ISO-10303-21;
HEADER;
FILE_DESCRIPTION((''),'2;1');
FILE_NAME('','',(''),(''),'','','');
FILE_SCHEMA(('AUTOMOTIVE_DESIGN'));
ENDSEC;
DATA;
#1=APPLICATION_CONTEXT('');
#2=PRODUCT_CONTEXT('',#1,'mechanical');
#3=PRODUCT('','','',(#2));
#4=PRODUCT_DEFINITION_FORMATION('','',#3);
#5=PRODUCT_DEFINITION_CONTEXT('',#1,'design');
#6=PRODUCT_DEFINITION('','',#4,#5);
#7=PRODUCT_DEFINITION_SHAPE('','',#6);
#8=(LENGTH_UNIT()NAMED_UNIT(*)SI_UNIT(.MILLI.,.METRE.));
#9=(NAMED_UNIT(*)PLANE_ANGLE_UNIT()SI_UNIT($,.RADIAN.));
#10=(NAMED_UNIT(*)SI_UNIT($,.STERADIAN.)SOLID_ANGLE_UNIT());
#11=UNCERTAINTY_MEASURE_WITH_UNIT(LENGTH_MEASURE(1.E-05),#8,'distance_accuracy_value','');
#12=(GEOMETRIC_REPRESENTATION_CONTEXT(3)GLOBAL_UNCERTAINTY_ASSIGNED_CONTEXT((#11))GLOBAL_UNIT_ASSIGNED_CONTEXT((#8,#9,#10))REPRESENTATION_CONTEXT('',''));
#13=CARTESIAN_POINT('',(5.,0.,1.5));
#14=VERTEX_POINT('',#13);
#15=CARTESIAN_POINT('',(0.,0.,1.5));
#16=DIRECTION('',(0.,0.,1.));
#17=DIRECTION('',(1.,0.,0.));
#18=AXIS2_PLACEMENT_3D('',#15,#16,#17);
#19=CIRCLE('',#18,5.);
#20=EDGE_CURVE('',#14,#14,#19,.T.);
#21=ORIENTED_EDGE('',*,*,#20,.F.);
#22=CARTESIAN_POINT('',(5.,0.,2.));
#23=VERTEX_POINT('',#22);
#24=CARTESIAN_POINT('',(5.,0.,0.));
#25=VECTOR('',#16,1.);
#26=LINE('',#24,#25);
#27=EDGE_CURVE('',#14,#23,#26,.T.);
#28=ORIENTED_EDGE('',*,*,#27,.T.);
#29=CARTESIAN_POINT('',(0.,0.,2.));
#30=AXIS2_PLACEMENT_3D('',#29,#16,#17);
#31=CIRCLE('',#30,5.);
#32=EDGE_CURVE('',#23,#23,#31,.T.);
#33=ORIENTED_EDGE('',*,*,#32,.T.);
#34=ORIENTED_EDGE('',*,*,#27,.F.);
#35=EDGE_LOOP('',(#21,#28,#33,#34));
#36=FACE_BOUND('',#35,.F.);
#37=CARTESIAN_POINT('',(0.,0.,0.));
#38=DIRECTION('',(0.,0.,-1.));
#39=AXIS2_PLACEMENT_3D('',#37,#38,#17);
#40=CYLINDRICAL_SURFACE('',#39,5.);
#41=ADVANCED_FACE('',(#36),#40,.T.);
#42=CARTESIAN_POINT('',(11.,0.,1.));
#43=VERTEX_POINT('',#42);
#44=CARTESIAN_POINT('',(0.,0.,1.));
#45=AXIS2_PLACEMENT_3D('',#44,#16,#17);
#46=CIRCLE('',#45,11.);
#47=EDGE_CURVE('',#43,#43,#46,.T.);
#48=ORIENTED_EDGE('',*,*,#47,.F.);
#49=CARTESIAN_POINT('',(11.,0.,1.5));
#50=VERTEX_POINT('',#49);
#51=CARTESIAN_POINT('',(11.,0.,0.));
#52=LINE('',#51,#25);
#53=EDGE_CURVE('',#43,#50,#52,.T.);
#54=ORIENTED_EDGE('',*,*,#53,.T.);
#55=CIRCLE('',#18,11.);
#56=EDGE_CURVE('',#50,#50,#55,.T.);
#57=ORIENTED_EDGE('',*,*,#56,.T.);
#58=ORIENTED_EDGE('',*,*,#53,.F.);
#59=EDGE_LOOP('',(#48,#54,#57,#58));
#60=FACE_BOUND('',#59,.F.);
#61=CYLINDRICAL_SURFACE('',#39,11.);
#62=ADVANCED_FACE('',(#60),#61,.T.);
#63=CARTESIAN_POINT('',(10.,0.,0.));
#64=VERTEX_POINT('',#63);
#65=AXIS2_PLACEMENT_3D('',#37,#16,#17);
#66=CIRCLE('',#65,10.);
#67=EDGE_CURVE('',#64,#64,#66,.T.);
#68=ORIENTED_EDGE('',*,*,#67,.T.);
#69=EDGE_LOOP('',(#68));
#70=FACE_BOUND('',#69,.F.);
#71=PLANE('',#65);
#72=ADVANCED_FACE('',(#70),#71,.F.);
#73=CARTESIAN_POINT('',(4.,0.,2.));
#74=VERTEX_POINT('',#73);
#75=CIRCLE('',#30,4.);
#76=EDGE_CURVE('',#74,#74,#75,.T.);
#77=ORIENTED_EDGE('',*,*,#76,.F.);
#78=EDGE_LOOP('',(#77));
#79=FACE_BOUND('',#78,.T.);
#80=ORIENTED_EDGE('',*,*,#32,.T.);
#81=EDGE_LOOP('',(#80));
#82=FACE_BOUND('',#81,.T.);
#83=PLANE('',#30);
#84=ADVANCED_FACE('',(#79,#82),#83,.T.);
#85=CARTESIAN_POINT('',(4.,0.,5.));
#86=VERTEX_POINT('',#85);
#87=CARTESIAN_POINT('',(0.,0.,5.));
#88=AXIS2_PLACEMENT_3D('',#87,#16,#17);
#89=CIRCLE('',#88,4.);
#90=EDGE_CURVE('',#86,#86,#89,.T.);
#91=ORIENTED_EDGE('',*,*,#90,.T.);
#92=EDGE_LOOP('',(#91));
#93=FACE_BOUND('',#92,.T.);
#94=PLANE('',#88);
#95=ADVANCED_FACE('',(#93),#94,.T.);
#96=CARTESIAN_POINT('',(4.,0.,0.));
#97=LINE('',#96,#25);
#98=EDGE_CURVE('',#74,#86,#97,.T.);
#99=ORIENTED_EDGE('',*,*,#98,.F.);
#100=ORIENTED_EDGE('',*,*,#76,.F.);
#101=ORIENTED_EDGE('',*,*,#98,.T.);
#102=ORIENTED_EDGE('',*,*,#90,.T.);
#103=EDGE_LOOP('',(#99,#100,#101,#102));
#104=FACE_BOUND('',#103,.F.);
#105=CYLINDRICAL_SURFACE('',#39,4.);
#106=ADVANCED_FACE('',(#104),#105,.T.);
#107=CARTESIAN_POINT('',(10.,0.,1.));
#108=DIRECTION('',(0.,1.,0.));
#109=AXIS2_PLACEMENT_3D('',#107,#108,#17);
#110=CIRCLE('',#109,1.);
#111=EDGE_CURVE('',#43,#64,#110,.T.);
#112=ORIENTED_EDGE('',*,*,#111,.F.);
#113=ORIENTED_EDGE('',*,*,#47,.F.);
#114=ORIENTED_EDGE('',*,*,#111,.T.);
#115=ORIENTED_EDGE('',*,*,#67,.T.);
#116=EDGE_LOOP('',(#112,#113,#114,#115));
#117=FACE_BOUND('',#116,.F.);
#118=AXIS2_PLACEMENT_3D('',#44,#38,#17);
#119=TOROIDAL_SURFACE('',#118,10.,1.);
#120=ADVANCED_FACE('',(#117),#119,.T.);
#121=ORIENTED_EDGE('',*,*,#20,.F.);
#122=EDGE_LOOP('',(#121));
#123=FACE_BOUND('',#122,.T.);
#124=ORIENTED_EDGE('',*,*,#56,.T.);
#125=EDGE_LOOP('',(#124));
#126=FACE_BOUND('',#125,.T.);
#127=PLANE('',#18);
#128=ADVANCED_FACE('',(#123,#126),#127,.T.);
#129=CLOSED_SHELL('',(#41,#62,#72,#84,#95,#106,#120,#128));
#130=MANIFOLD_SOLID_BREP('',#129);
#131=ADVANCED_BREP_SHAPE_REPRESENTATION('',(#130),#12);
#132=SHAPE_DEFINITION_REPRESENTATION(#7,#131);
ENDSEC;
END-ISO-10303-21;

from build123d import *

# Parameters (mm, degrees)
F0_R     = 11
F0_R_2   = 5
F1_DEPTH = 1.5
F0_R_3   = 4
F2_DEPTH = 2
F3_DEPTH = 5
F4_R     = 1


with BuildPart() as f1:
    # F0 (on Top) → F1 (new body)
    with BuildSketch(Plane.XY):
        Circle(F0_R)
        Circle(F0_R_2, mode=Mode.SUBTRACT)
    extrude(amount=F1_DEPTH)

    # F0 (on Top) → F2 (join)
    with BuildSketch(Plane.XY):
        Circle(F0_R_2)
        Circle(F0_R_3, mode=Mode.SUBTRACT)
    extrude(amount=F2_DEPTH)

    # F0 (on Top) → F3 (join)
    with BuildSketch(Plane.XY):
        Circle(F0_R_3)
    extrude(amount=F3_DEPTH)

    # F4
    f4_edges = [f1.edges().sort_by_distance(p)[0] for p in [
        (-11, 0, 0),
    ]]
    fillet(f4_edges, radius=F4_R)


solid = f1.part
